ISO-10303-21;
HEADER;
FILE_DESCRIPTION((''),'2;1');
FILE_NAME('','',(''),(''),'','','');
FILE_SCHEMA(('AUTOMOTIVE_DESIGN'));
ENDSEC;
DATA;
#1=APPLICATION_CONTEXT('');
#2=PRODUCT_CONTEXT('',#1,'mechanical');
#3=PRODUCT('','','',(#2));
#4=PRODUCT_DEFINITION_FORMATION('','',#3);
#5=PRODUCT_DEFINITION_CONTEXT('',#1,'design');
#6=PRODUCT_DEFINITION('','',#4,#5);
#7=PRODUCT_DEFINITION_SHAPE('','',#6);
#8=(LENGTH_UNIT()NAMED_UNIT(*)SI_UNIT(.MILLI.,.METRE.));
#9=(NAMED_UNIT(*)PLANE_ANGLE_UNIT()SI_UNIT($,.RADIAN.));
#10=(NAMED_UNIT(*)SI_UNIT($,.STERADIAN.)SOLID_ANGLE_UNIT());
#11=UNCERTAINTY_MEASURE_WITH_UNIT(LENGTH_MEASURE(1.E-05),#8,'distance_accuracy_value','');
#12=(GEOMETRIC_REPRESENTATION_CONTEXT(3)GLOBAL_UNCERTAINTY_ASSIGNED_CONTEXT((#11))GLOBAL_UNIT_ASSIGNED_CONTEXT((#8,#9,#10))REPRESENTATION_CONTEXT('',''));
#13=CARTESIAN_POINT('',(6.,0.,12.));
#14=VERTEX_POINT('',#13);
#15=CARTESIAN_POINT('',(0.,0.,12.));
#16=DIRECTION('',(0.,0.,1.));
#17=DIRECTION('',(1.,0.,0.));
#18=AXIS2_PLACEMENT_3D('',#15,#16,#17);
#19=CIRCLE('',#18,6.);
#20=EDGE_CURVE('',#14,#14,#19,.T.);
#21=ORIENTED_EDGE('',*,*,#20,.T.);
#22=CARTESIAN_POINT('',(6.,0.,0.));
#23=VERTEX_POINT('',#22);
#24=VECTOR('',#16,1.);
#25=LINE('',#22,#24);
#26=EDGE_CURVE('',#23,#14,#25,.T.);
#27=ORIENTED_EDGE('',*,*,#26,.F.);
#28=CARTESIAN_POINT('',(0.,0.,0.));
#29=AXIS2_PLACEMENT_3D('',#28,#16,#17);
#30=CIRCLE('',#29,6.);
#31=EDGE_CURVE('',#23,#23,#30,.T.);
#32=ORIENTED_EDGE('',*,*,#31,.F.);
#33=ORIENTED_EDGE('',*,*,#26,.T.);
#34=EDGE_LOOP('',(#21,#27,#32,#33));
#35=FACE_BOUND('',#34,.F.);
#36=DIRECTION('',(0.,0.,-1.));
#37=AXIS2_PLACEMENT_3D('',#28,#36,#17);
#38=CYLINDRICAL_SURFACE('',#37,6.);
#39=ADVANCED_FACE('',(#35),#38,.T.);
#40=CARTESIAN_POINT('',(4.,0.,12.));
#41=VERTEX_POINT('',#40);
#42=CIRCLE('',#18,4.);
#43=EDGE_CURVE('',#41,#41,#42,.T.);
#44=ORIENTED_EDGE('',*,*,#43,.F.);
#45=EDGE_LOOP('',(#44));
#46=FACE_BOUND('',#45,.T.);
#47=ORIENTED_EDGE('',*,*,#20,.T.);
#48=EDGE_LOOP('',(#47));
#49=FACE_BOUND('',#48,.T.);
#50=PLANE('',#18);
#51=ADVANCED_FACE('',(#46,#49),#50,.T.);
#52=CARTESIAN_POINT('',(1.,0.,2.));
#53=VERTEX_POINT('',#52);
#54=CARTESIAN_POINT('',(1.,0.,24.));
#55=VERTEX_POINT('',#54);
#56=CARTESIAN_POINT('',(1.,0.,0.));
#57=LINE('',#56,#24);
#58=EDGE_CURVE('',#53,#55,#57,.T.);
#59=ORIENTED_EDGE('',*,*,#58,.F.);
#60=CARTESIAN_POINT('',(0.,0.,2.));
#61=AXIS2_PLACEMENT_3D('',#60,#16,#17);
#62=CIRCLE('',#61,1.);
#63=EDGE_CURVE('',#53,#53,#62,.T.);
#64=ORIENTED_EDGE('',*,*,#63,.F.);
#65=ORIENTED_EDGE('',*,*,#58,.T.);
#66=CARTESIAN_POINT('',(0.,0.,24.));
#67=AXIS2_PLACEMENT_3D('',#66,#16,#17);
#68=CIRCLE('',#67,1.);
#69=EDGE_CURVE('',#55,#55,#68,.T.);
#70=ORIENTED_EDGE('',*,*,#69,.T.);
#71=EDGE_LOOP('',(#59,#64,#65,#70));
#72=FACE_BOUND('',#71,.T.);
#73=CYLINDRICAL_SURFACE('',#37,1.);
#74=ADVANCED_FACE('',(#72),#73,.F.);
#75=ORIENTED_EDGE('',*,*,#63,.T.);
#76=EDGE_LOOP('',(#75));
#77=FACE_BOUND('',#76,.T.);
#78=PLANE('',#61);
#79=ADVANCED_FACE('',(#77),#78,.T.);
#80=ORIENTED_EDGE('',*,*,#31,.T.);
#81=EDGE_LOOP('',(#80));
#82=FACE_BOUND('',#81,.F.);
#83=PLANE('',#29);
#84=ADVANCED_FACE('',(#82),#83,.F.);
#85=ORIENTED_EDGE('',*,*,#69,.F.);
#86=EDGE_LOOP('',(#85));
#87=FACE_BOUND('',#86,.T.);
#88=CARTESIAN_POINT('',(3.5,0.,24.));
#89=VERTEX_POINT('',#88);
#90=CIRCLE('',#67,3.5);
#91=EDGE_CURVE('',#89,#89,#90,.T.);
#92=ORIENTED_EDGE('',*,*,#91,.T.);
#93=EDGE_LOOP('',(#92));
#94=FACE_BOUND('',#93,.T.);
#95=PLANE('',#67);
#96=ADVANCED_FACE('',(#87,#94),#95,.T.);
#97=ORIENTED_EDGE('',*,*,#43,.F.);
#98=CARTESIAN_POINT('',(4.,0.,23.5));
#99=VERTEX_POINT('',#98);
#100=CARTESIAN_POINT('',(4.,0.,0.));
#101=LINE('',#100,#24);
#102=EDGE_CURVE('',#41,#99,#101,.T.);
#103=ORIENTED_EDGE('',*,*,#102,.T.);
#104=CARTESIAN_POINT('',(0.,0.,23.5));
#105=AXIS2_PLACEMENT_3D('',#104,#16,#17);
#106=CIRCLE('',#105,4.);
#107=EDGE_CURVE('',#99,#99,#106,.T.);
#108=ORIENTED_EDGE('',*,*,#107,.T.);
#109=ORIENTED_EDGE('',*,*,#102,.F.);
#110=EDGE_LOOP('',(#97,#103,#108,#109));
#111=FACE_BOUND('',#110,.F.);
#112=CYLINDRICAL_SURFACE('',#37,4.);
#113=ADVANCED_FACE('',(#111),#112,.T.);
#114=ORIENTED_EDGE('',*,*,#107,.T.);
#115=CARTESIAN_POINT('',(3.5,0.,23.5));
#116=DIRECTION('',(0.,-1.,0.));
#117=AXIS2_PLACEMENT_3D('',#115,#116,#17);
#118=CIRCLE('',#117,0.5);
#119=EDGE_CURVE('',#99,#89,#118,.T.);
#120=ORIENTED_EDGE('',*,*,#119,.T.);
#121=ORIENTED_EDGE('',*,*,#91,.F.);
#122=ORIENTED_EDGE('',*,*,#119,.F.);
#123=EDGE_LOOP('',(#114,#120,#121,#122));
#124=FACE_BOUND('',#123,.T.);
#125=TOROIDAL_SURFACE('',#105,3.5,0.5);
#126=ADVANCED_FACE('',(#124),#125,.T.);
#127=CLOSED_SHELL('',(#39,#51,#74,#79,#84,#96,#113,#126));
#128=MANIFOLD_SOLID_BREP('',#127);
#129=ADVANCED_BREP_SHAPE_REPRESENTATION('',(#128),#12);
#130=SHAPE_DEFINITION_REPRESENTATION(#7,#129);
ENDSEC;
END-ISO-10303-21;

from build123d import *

# Parameters (mm, degrees)
F0_R     = 1
F1_DEPTH = 2
F0_R_2   = 4
F2_DEPTH = 24
F0_R_3   = 6
F3_DEPTH = 12
F4_R     = 0.5


with BuildPart() as f1:
    # F0 (on Top) → F1 (new body)
    with BuildSketch(Plane.XY):
        Circle(F0_R)
    extrude(amount=F1_DEPTH)

    # F0 (on Top) → F2 (join)
    with BuildSketch(Plane.XY):
        Circle(F0_R_2)
        Circle(F0_R, mode=Mode.SUBTRACT)
    extrude(amount=F2_DEPTH)

    # F0 (on Top) → F3 (join)
    with BuildSketch(Plane.XY):
        Circle(F0_R_3)
        Circle(F0_R_2, mode=Mode.SUBTRACT)
    extrude(amount=F3_DEPTH)

    # F4
    f4_edges = [f1.edges().sort_by_distance(p)[0] for p in [
        (-4, 0, 24),
    ]]
    fillet(f4_edges, radius=F4_R)


solid = f1.part
